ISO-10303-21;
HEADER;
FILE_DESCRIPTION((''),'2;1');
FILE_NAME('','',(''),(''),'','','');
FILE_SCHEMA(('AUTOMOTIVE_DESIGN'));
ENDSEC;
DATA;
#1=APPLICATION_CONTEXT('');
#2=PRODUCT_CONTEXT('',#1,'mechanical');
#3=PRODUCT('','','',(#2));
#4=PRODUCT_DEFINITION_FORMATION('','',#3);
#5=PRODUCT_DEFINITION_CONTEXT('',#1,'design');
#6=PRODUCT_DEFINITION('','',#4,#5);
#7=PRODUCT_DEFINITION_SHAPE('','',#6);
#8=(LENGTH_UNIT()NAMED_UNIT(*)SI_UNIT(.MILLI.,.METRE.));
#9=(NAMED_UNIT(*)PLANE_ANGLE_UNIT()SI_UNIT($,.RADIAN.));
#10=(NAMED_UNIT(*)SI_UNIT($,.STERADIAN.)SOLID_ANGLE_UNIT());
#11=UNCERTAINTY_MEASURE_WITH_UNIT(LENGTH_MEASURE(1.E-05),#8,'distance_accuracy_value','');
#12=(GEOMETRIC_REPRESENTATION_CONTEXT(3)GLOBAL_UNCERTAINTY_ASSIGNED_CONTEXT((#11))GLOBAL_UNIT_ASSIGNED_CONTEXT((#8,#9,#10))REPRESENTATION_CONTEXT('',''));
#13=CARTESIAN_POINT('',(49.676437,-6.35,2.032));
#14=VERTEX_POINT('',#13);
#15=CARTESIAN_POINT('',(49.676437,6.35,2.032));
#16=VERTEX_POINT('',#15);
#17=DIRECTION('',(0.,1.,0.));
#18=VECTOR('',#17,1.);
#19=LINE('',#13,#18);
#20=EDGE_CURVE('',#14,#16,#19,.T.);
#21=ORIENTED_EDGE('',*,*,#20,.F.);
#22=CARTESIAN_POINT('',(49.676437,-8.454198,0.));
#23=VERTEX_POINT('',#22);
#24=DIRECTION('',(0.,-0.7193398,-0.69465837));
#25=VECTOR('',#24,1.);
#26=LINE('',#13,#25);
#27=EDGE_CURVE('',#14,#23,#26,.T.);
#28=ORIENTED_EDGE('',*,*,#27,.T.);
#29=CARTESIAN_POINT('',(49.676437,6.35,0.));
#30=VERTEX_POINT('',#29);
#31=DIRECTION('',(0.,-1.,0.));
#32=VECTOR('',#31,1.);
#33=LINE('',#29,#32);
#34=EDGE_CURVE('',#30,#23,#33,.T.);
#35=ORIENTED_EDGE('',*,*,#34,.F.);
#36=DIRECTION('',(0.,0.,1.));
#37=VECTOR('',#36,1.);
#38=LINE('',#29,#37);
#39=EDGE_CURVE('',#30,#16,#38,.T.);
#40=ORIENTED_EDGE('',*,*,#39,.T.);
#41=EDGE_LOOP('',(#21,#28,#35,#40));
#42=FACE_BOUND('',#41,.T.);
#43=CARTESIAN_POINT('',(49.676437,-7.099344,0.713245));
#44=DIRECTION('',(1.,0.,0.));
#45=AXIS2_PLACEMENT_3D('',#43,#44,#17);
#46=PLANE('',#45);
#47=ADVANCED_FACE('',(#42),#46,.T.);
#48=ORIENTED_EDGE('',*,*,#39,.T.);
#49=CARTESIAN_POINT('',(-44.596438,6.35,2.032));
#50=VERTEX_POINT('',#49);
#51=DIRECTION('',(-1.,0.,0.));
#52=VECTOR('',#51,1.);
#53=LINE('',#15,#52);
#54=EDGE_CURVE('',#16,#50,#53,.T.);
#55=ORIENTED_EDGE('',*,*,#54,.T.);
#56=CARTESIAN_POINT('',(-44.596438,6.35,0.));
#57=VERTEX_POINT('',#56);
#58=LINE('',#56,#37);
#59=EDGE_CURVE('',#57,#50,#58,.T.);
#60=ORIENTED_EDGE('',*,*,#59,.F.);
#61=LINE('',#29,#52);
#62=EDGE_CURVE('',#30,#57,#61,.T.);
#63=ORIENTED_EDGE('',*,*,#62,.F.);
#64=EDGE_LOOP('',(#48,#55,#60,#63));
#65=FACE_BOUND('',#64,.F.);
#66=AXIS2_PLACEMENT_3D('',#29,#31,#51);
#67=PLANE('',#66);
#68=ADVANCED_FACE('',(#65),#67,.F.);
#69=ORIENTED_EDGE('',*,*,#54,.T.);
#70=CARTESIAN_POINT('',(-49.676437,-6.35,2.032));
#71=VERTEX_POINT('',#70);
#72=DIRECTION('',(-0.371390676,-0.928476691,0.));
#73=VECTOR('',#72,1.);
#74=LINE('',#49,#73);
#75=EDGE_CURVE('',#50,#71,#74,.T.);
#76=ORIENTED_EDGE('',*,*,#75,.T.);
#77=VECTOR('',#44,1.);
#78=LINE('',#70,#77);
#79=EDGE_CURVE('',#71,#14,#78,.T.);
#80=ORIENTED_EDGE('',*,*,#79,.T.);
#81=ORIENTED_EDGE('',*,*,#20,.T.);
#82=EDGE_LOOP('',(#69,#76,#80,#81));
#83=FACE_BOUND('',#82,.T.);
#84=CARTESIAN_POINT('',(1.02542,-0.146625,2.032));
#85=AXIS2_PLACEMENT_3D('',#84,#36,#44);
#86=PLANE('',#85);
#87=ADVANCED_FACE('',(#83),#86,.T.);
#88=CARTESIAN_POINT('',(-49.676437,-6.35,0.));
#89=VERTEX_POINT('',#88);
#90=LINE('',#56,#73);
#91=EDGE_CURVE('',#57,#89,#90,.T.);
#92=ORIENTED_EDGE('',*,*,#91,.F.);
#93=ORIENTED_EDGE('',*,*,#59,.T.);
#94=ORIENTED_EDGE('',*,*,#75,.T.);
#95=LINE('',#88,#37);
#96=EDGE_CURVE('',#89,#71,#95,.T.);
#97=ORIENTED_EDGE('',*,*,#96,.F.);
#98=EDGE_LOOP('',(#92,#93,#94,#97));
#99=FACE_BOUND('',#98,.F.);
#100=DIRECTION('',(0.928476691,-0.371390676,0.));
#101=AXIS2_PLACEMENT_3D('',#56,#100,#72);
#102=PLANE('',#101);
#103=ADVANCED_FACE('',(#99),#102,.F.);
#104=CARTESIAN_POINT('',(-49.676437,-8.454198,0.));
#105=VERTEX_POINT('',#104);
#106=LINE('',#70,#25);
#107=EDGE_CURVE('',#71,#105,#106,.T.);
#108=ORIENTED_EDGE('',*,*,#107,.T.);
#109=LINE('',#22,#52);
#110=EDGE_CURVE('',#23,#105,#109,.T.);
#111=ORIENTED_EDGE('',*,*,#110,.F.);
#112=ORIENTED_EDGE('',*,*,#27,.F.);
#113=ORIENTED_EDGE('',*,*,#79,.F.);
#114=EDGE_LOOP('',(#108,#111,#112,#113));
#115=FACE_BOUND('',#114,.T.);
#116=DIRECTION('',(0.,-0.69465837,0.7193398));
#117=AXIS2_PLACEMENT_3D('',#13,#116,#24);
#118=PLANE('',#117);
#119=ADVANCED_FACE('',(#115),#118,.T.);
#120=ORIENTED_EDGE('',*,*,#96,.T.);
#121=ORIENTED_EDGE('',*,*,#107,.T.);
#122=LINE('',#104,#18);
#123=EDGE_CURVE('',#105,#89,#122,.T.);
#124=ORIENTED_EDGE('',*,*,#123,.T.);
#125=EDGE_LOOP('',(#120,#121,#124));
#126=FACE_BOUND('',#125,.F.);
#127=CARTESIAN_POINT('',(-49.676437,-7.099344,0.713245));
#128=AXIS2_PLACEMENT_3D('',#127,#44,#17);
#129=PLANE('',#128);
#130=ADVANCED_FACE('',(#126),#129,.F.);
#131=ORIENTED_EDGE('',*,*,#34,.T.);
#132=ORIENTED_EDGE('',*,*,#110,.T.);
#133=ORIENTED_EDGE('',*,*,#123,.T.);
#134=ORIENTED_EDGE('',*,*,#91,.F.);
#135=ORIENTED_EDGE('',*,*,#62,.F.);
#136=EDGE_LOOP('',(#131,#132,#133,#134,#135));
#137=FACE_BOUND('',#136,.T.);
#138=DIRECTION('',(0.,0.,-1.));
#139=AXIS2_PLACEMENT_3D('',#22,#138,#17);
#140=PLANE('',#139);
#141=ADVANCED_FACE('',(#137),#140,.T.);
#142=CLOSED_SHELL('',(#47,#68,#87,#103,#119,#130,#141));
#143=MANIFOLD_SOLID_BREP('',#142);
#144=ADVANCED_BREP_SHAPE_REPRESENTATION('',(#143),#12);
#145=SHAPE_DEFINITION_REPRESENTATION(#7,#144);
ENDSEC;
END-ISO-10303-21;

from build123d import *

# Parameters (mm, degrees)
F1_DEPTH = 2.032
F3_DEPTH = 99.352875


with BuildPart() as f1:
    # F0 (on Top) → F1 (new body)
    with BuildSketch(Plane.XY):
        Polygon((49.6764375, -6.35), (49.6764375, 6.35), (-44.5964375, 6.35), (-49.6764375, -6.35), align=None)
    extrude(amount=F1_DEPTH)

    # F2 (on face) → F3 (join, through all)
    with BuildSketch(Plane.YZ.offset(49.6764375)):
        Polygon((-6.35, 0), (-6.35, 2.032), (-8.4541975976, 0), align=None)
    extrude(amount=-F3_DEPTH)


solid = f1.part
